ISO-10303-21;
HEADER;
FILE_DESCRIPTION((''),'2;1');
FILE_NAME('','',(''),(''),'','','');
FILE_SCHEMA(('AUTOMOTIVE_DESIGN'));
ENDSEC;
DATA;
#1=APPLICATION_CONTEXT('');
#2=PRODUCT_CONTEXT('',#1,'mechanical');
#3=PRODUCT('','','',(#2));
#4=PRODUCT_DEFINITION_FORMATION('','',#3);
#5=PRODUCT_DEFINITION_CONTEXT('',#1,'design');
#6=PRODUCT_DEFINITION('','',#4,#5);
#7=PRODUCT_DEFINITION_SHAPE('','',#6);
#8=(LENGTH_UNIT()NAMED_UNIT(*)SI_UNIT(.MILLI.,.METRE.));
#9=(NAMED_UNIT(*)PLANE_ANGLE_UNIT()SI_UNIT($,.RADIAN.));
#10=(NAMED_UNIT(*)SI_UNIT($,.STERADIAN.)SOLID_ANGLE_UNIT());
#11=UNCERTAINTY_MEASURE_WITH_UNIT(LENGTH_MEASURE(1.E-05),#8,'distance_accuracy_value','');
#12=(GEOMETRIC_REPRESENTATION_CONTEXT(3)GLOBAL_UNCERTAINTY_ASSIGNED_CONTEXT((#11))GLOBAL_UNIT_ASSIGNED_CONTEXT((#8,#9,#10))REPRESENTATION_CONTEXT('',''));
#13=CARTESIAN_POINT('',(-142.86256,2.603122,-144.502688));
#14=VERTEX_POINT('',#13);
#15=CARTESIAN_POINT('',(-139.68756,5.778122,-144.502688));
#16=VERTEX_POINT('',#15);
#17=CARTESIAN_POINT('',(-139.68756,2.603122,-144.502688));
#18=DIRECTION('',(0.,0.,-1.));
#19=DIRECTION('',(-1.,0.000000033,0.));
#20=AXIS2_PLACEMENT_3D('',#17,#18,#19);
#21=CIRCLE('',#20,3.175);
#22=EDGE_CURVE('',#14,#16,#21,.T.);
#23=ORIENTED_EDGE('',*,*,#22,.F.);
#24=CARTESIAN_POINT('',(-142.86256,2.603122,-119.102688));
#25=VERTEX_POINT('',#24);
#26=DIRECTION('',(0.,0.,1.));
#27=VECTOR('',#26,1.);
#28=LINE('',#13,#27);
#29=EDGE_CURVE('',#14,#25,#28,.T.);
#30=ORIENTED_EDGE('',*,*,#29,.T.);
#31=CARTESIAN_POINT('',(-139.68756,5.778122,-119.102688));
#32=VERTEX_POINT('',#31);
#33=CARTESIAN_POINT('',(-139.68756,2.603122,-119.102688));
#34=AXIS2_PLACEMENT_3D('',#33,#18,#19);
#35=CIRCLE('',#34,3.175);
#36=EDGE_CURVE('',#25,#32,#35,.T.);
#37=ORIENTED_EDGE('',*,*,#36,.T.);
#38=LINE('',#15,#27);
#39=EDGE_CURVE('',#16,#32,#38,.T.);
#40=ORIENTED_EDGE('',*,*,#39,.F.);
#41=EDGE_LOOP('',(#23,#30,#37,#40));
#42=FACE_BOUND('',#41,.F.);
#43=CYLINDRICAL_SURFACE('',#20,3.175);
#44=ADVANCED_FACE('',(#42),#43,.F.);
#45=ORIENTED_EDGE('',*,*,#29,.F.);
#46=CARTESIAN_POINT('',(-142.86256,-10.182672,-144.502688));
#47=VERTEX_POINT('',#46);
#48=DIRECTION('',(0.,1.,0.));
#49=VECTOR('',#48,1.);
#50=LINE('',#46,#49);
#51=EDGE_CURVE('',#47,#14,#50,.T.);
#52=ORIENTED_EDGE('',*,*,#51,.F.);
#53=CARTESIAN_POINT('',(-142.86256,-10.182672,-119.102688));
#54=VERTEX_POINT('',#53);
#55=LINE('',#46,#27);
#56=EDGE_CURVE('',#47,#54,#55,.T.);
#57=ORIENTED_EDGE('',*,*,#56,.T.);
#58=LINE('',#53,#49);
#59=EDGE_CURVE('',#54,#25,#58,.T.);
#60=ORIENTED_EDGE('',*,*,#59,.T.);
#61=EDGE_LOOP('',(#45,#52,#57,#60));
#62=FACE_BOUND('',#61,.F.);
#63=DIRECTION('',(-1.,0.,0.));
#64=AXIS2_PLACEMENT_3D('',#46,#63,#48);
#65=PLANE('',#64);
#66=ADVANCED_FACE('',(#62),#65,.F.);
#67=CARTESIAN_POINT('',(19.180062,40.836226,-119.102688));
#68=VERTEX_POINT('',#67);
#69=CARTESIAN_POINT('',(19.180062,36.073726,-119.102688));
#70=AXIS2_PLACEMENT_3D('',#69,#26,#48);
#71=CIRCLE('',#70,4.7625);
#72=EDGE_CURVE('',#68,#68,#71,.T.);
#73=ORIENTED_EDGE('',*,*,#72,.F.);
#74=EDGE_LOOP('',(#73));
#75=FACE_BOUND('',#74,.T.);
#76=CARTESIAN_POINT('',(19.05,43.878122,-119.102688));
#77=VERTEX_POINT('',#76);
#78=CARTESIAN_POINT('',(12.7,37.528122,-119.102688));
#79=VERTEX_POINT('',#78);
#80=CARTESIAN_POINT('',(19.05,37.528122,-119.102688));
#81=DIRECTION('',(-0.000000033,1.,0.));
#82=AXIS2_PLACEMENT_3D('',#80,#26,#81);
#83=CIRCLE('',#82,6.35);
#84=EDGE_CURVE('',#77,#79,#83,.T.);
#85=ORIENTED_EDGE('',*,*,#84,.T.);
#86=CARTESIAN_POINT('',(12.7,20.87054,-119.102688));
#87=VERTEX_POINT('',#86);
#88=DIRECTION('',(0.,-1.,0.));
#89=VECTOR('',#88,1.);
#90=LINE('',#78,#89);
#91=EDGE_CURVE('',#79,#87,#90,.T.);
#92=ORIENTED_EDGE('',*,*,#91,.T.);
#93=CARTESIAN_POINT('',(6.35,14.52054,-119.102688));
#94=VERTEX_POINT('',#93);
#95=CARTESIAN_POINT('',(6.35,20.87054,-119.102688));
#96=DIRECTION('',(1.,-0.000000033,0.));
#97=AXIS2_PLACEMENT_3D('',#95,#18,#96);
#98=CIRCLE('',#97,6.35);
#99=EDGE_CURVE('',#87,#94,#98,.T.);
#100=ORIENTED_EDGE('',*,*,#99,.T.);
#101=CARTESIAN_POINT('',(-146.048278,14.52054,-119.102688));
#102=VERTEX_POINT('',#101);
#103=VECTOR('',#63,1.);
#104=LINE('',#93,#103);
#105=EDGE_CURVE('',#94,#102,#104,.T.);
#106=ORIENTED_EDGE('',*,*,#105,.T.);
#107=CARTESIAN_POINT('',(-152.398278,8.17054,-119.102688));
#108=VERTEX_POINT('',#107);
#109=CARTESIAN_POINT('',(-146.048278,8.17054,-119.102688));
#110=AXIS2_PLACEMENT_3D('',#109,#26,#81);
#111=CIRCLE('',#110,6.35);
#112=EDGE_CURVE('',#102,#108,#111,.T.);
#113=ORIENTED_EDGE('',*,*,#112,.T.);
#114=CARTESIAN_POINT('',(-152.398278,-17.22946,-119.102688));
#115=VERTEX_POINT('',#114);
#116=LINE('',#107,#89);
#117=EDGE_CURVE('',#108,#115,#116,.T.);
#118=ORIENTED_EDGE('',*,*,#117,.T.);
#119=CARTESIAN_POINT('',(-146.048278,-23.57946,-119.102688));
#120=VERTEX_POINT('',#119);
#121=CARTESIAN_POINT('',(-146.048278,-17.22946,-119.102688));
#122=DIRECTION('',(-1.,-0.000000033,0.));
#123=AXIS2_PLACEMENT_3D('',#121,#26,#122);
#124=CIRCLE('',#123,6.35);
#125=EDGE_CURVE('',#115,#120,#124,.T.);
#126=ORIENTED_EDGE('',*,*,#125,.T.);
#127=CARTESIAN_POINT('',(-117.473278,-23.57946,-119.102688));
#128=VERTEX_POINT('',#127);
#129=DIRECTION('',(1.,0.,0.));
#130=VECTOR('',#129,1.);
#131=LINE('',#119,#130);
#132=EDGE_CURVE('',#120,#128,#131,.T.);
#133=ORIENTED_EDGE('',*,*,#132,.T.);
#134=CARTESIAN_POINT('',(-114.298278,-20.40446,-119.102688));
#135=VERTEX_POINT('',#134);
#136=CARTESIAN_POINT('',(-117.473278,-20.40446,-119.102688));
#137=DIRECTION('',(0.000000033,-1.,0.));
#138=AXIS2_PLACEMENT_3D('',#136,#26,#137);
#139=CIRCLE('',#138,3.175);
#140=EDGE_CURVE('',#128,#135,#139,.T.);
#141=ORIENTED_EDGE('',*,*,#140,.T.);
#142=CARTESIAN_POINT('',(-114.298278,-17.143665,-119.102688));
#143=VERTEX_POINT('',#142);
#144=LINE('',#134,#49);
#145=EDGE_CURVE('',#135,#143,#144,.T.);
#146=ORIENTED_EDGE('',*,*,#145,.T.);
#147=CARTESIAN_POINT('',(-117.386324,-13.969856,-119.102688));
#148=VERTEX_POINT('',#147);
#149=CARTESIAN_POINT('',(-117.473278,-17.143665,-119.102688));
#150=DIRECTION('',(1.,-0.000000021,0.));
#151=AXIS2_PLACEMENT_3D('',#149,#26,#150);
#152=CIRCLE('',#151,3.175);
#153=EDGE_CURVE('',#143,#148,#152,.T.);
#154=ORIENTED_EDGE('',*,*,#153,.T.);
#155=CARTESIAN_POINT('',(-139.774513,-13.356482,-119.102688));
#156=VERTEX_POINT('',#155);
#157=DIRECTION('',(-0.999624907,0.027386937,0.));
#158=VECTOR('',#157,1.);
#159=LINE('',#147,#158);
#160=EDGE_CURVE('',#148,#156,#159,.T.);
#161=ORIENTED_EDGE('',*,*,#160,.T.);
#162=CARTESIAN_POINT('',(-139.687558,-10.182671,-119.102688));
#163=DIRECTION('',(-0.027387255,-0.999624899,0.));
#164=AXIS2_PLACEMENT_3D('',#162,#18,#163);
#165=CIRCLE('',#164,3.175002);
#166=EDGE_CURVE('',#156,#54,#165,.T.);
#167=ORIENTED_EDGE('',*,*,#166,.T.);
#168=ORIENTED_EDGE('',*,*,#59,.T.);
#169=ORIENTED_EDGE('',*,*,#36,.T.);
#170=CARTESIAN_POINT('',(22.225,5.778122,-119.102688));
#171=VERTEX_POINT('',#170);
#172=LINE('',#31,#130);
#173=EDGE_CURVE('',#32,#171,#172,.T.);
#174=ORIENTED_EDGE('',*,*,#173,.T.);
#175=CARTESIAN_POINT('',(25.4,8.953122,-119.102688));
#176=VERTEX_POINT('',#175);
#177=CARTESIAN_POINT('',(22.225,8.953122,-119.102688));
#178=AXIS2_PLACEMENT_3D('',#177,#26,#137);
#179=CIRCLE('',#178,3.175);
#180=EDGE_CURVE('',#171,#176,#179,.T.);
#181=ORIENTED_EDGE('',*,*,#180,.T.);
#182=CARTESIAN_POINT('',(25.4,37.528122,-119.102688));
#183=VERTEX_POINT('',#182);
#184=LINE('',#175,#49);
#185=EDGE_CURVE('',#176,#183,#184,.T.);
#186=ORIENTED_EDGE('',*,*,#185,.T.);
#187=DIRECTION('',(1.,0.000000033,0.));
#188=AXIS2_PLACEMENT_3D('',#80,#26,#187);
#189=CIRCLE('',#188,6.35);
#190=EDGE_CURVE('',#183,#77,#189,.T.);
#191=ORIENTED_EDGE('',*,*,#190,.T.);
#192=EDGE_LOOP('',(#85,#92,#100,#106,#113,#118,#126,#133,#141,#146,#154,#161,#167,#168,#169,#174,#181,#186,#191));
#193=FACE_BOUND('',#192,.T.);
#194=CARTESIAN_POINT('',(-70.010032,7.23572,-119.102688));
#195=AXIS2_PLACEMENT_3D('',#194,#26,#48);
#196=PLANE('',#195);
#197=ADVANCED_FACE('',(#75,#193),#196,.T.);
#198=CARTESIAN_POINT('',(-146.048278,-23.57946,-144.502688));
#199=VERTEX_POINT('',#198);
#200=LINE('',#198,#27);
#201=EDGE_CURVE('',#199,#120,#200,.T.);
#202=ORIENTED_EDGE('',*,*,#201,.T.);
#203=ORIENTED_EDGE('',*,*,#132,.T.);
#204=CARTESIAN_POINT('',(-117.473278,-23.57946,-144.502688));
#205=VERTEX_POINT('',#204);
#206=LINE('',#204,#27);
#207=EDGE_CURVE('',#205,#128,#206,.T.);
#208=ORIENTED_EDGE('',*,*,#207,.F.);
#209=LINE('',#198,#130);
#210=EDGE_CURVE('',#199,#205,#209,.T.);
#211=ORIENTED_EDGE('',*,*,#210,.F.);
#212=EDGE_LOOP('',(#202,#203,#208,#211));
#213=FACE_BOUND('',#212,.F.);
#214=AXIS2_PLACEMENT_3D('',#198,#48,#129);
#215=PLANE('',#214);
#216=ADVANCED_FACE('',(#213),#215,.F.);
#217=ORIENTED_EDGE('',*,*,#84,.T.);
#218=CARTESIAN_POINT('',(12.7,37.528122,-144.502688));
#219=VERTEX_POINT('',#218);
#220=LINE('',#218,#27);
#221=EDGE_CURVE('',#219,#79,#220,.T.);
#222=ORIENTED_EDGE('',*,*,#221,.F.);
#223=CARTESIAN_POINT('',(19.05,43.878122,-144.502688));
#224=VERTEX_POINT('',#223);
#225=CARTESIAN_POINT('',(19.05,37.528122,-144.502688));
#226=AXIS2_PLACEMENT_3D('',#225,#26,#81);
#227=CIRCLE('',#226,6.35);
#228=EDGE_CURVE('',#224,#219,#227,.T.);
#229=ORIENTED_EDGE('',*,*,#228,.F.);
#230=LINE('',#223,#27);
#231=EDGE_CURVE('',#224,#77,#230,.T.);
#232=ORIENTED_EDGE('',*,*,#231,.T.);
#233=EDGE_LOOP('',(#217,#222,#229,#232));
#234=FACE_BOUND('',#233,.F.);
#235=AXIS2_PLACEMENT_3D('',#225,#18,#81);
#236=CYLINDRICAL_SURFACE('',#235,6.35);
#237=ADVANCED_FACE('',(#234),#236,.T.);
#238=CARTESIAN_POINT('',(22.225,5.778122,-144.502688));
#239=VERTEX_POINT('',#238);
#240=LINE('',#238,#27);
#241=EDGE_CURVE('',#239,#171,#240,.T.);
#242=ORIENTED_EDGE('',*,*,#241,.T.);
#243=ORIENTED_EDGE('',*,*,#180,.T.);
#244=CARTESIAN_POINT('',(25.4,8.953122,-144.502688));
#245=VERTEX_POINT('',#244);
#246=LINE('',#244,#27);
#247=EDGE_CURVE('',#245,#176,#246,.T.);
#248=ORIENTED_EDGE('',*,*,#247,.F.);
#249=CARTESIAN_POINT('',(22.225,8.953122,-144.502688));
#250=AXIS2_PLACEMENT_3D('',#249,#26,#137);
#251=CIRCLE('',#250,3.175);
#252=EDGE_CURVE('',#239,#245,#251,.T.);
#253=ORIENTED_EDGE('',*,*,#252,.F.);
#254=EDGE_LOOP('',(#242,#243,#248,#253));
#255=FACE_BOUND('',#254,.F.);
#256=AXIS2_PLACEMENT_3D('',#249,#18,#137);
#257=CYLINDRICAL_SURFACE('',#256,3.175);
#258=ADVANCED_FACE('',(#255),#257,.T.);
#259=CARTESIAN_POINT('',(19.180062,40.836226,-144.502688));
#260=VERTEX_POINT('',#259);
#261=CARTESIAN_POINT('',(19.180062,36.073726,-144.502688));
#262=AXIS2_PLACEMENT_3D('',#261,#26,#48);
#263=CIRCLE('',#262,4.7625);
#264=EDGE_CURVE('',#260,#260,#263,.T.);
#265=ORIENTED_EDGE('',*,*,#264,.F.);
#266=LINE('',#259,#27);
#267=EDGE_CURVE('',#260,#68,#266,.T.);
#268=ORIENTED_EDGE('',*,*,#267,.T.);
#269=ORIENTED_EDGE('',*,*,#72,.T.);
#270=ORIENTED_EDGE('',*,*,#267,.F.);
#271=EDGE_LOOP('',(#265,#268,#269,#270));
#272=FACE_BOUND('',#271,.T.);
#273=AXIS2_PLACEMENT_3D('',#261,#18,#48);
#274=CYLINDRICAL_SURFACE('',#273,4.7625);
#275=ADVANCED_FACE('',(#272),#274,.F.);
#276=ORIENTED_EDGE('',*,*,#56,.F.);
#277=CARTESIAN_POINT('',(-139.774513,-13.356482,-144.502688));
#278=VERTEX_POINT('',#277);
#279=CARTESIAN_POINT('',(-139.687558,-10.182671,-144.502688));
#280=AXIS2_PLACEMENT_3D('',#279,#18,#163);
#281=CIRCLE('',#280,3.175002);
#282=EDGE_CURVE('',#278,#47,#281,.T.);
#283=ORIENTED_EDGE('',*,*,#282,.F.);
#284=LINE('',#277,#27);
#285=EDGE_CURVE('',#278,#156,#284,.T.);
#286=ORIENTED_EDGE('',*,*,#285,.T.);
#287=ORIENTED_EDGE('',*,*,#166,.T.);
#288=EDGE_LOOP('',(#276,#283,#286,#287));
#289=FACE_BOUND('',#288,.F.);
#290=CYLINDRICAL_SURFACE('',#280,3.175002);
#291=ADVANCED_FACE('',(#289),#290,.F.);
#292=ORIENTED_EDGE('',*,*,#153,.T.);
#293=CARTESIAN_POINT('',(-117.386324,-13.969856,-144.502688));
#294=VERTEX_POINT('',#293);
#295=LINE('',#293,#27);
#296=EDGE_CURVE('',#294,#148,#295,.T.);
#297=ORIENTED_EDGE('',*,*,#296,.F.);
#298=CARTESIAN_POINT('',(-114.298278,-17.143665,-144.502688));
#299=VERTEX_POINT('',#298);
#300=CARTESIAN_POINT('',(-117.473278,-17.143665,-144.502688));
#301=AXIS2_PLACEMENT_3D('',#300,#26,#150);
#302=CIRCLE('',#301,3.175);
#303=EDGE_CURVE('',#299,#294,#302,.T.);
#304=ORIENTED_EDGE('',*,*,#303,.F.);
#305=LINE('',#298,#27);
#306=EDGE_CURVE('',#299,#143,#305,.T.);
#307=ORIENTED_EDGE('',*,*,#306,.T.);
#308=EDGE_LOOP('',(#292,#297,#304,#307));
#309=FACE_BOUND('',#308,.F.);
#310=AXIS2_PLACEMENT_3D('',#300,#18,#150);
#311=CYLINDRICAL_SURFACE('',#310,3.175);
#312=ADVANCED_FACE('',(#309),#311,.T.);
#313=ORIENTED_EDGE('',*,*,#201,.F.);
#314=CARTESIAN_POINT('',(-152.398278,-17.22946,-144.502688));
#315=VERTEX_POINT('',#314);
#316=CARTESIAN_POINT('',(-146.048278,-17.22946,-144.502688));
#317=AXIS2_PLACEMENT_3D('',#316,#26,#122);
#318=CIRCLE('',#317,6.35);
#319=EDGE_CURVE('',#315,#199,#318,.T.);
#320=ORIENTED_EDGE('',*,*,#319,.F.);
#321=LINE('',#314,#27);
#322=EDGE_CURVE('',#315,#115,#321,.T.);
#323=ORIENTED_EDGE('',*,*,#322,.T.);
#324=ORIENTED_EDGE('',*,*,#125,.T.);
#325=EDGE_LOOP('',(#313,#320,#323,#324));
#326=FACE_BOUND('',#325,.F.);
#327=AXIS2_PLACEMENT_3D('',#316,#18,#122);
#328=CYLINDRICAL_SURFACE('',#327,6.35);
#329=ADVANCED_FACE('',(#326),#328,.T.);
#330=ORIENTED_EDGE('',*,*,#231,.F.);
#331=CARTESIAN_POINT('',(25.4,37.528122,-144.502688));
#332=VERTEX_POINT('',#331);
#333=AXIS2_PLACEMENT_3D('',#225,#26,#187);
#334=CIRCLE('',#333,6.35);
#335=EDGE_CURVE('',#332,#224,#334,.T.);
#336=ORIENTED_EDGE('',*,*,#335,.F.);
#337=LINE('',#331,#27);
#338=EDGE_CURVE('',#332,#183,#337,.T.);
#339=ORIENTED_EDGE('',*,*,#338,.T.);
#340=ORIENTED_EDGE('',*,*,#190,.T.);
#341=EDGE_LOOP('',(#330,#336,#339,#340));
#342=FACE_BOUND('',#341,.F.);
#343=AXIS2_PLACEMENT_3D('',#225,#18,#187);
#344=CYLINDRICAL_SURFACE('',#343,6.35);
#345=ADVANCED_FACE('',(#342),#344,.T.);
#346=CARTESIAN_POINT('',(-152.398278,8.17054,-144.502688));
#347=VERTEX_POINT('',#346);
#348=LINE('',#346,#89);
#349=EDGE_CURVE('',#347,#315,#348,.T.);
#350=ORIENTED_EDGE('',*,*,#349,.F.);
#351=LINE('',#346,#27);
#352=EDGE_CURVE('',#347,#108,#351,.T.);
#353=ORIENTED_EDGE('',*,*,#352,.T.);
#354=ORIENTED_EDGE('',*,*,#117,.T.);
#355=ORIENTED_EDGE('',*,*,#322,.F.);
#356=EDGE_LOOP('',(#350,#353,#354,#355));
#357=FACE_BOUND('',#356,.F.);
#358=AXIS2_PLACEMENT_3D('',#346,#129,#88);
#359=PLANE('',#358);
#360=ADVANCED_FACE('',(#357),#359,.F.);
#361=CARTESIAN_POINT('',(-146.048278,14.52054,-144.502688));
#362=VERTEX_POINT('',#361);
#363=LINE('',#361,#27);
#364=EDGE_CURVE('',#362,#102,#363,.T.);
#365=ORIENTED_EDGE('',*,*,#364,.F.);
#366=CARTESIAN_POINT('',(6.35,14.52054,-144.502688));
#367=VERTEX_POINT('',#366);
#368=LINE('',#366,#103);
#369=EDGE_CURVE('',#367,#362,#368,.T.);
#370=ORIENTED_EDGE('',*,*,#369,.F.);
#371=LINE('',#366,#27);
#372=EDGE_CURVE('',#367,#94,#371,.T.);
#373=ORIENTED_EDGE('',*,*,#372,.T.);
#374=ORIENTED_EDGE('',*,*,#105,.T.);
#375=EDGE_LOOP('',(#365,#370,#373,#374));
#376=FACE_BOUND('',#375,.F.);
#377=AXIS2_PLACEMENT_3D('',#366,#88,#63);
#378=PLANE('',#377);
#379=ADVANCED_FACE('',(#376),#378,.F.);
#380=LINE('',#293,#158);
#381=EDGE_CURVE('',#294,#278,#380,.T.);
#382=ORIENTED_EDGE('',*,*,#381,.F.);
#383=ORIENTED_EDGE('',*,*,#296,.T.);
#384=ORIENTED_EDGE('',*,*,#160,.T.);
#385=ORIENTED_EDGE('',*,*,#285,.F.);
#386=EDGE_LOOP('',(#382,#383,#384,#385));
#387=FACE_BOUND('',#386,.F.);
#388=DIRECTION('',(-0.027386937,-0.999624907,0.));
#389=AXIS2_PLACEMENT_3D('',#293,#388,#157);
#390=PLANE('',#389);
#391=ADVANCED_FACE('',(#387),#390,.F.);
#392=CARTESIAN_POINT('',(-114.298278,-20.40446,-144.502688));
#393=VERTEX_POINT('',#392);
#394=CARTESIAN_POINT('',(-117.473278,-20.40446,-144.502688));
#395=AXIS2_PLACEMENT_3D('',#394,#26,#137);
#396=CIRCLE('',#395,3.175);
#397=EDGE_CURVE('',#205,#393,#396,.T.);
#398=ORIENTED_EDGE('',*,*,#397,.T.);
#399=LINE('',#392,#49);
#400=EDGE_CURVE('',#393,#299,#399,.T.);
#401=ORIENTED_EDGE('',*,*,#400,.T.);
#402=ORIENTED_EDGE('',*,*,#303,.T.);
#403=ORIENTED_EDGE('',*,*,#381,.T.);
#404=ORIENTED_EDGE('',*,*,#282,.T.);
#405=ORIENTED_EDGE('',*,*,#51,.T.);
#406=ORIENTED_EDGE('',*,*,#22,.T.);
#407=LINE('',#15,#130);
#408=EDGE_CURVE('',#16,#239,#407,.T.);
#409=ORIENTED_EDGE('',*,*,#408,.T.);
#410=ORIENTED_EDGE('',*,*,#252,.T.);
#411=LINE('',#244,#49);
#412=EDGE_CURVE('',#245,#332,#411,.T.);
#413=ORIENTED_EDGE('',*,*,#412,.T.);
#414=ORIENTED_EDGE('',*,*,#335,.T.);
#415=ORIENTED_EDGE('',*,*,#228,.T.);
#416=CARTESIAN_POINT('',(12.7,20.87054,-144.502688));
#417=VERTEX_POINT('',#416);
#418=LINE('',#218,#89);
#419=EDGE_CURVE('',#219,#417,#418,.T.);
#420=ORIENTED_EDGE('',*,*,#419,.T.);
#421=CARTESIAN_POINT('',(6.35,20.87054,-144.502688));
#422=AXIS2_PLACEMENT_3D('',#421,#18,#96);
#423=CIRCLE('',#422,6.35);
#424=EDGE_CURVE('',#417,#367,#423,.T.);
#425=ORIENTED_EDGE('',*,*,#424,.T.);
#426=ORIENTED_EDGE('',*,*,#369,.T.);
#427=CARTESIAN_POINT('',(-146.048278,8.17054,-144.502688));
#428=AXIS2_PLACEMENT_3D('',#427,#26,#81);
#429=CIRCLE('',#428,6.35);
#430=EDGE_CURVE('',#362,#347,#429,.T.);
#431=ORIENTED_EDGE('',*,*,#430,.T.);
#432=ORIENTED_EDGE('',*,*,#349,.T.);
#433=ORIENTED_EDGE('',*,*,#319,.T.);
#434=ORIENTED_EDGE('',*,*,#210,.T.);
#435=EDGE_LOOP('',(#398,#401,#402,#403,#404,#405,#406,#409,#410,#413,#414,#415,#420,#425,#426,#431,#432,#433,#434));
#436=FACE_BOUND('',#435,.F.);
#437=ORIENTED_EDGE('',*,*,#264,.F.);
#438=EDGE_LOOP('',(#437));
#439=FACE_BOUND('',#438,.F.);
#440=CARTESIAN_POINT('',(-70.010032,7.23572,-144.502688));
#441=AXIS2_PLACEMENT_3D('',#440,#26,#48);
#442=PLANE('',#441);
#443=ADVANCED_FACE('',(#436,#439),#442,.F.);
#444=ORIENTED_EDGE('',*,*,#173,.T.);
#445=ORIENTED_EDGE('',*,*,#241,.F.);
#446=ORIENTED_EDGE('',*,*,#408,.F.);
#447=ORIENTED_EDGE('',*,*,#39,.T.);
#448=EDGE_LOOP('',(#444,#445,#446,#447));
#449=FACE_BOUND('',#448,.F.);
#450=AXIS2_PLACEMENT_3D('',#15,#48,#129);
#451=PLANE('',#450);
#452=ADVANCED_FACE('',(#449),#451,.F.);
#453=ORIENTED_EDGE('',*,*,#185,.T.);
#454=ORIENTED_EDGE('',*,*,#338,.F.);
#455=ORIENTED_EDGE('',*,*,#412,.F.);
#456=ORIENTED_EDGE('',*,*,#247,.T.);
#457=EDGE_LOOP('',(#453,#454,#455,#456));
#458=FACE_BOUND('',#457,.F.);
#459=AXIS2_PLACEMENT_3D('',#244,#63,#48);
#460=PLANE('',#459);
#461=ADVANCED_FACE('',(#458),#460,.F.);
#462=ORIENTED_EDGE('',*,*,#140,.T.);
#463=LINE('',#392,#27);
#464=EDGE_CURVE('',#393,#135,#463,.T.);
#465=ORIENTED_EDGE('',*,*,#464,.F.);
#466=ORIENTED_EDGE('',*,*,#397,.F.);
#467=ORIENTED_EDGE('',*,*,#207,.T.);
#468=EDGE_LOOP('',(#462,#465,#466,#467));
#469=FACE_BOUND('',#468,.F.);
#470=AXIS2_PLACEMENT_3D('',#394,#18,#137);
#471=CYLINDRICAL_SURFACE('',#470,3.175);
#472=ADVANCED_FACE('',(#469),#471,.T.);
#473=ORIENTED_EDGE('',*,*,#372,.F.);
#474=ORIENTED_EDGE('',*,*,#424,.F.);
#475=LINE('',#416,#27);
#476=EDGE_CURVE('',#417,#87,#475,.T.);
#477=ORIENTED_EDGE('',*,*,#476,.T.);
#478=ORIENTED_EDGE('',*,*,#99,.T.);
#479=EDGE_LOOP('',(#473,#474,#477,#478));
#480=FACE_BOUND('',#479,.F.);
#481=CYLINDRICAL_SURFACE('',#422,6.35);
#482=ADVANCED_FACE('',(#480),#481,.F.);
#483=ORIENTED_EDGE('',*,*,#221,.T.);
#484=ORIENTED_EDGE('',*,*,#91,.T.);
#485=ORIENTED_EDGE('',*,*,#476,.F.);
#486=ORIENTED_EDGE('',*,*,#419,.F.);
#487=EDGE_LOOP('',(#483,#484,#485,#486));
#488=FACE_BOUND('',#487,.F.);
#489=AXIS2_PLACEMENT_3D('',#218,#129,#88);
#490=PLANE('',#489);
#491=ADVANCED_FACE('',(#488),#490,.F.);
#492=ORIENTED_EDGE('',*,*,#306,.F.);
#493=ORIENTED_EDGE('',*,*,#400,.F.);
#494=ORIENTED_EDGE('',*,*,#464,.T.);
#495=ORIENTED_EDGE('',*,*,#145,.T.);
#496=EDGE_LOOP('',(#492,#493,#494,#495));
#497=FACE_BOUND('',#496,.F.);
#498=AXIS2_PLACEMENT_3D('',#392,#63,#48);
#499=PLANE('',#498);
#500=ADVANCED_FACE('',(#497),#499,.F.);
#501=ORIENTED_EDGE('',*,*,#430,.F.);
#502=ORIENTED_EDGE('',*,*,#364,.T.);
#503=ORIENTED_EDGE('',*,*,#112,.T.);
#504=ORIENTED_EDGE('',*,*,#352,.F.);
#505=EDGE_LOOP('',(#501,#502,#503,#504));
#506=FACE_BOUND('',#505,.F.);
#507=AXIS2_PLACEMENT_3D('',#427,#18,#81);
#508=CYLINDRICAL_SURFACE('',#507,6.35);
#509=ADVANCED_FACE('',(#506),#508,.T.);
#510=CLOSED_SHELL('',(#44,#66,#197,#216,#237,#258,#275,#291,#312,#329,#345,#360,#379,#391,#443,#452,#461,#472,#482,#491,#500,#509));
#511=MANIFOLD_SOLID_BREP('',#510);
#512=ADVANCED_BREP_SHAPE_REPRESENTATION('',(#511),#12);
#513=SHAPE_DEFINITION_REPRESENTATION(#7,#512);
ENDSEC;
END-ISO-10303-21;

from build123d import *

# Parameters (mm, degrees)
F0_R     = 4.7625
F1_DEPTH = 25.4
F2_ANGLE = 90


with BuildPart() as f1:
    # F0 (on Right) → F1 (new body)
    with BuildSketch(Plane.YZ):
        with BuildLine():
            Line((-20.40446, 20.59559), (-17.143665, 20.59559))
            ThreePointArc((-17.143665, 20.59559), (-14.929557, 21.494991), (-13.969856, 23.683636))
            Line((-13.969856, 23.683636), (-13.356482, 46.071825))
            ThreePointArc((-13.356482, 46.071825), (-12.39678, 48.260471), (-10.182672, 49.159872))
            Line((-10.182672, 49.159872), (2.603122, 49.159872))
            ThreePointArc((2.603122, 49.159872), (4.848186, 48.229936), (5.778122, 45.984872))
            Line((5.778122, 45.984872), (5.778122, -115.927688))
            ThreePointArc((5.778122, -115.927688), (6.708058, -118.172752), (8.953122, -119.102688))
            Line((8.953122, -119.102688), (37.528122, -119.102688))
            ThreePointArc((37.528122, -119.102688), (42.01825, -117.242816), (43.878122, -112.752688))
            ThreePointArc((43.878122, -112.752688), (42.01825, -108.26256), (37.528122, -106.402688))
            Line((37.528122, -106.402688), (20.87054, -106.402688))
            ThreePointArc((20.87054, -106.402688), (16.380412, -104.542816), (14.52054, -100.052688))
            Line((14.52054, -100.052688), (14.52054, 52.34559))
            ThreePointArc((14.52054, 52.34559), (12.660668, 56.835718), (8.17054, 58.69559))
            Line((8.17054, 58.69559), (-17.22946, 58.69559))
            ThreePointArc((-17.22946, 58.69559), (-21.719588, 56.835718), (-23.57946, 52.34559))
            Line((-23.57946, 52.34559), (-23.57946, 23.77059))
            ThreePointArc((-23.57946, 23.77059), (-22.649524, 21.525526), (-20.40446, 20.59559))
        make_face()
        with Locations((36.073726, -112.88275)):
            Circle(F0_R, mode=Mode.SUBTRACT)
    extrude(amount=F1_DEPTH)


with BuildPart() as f1_1:
    # F2: moved
    add(f1.part.rotate(Axis((25.4, 23.240622, -119.102688), (0, -1, 0)), F2_ANGLE))


solid = f1_1.part
